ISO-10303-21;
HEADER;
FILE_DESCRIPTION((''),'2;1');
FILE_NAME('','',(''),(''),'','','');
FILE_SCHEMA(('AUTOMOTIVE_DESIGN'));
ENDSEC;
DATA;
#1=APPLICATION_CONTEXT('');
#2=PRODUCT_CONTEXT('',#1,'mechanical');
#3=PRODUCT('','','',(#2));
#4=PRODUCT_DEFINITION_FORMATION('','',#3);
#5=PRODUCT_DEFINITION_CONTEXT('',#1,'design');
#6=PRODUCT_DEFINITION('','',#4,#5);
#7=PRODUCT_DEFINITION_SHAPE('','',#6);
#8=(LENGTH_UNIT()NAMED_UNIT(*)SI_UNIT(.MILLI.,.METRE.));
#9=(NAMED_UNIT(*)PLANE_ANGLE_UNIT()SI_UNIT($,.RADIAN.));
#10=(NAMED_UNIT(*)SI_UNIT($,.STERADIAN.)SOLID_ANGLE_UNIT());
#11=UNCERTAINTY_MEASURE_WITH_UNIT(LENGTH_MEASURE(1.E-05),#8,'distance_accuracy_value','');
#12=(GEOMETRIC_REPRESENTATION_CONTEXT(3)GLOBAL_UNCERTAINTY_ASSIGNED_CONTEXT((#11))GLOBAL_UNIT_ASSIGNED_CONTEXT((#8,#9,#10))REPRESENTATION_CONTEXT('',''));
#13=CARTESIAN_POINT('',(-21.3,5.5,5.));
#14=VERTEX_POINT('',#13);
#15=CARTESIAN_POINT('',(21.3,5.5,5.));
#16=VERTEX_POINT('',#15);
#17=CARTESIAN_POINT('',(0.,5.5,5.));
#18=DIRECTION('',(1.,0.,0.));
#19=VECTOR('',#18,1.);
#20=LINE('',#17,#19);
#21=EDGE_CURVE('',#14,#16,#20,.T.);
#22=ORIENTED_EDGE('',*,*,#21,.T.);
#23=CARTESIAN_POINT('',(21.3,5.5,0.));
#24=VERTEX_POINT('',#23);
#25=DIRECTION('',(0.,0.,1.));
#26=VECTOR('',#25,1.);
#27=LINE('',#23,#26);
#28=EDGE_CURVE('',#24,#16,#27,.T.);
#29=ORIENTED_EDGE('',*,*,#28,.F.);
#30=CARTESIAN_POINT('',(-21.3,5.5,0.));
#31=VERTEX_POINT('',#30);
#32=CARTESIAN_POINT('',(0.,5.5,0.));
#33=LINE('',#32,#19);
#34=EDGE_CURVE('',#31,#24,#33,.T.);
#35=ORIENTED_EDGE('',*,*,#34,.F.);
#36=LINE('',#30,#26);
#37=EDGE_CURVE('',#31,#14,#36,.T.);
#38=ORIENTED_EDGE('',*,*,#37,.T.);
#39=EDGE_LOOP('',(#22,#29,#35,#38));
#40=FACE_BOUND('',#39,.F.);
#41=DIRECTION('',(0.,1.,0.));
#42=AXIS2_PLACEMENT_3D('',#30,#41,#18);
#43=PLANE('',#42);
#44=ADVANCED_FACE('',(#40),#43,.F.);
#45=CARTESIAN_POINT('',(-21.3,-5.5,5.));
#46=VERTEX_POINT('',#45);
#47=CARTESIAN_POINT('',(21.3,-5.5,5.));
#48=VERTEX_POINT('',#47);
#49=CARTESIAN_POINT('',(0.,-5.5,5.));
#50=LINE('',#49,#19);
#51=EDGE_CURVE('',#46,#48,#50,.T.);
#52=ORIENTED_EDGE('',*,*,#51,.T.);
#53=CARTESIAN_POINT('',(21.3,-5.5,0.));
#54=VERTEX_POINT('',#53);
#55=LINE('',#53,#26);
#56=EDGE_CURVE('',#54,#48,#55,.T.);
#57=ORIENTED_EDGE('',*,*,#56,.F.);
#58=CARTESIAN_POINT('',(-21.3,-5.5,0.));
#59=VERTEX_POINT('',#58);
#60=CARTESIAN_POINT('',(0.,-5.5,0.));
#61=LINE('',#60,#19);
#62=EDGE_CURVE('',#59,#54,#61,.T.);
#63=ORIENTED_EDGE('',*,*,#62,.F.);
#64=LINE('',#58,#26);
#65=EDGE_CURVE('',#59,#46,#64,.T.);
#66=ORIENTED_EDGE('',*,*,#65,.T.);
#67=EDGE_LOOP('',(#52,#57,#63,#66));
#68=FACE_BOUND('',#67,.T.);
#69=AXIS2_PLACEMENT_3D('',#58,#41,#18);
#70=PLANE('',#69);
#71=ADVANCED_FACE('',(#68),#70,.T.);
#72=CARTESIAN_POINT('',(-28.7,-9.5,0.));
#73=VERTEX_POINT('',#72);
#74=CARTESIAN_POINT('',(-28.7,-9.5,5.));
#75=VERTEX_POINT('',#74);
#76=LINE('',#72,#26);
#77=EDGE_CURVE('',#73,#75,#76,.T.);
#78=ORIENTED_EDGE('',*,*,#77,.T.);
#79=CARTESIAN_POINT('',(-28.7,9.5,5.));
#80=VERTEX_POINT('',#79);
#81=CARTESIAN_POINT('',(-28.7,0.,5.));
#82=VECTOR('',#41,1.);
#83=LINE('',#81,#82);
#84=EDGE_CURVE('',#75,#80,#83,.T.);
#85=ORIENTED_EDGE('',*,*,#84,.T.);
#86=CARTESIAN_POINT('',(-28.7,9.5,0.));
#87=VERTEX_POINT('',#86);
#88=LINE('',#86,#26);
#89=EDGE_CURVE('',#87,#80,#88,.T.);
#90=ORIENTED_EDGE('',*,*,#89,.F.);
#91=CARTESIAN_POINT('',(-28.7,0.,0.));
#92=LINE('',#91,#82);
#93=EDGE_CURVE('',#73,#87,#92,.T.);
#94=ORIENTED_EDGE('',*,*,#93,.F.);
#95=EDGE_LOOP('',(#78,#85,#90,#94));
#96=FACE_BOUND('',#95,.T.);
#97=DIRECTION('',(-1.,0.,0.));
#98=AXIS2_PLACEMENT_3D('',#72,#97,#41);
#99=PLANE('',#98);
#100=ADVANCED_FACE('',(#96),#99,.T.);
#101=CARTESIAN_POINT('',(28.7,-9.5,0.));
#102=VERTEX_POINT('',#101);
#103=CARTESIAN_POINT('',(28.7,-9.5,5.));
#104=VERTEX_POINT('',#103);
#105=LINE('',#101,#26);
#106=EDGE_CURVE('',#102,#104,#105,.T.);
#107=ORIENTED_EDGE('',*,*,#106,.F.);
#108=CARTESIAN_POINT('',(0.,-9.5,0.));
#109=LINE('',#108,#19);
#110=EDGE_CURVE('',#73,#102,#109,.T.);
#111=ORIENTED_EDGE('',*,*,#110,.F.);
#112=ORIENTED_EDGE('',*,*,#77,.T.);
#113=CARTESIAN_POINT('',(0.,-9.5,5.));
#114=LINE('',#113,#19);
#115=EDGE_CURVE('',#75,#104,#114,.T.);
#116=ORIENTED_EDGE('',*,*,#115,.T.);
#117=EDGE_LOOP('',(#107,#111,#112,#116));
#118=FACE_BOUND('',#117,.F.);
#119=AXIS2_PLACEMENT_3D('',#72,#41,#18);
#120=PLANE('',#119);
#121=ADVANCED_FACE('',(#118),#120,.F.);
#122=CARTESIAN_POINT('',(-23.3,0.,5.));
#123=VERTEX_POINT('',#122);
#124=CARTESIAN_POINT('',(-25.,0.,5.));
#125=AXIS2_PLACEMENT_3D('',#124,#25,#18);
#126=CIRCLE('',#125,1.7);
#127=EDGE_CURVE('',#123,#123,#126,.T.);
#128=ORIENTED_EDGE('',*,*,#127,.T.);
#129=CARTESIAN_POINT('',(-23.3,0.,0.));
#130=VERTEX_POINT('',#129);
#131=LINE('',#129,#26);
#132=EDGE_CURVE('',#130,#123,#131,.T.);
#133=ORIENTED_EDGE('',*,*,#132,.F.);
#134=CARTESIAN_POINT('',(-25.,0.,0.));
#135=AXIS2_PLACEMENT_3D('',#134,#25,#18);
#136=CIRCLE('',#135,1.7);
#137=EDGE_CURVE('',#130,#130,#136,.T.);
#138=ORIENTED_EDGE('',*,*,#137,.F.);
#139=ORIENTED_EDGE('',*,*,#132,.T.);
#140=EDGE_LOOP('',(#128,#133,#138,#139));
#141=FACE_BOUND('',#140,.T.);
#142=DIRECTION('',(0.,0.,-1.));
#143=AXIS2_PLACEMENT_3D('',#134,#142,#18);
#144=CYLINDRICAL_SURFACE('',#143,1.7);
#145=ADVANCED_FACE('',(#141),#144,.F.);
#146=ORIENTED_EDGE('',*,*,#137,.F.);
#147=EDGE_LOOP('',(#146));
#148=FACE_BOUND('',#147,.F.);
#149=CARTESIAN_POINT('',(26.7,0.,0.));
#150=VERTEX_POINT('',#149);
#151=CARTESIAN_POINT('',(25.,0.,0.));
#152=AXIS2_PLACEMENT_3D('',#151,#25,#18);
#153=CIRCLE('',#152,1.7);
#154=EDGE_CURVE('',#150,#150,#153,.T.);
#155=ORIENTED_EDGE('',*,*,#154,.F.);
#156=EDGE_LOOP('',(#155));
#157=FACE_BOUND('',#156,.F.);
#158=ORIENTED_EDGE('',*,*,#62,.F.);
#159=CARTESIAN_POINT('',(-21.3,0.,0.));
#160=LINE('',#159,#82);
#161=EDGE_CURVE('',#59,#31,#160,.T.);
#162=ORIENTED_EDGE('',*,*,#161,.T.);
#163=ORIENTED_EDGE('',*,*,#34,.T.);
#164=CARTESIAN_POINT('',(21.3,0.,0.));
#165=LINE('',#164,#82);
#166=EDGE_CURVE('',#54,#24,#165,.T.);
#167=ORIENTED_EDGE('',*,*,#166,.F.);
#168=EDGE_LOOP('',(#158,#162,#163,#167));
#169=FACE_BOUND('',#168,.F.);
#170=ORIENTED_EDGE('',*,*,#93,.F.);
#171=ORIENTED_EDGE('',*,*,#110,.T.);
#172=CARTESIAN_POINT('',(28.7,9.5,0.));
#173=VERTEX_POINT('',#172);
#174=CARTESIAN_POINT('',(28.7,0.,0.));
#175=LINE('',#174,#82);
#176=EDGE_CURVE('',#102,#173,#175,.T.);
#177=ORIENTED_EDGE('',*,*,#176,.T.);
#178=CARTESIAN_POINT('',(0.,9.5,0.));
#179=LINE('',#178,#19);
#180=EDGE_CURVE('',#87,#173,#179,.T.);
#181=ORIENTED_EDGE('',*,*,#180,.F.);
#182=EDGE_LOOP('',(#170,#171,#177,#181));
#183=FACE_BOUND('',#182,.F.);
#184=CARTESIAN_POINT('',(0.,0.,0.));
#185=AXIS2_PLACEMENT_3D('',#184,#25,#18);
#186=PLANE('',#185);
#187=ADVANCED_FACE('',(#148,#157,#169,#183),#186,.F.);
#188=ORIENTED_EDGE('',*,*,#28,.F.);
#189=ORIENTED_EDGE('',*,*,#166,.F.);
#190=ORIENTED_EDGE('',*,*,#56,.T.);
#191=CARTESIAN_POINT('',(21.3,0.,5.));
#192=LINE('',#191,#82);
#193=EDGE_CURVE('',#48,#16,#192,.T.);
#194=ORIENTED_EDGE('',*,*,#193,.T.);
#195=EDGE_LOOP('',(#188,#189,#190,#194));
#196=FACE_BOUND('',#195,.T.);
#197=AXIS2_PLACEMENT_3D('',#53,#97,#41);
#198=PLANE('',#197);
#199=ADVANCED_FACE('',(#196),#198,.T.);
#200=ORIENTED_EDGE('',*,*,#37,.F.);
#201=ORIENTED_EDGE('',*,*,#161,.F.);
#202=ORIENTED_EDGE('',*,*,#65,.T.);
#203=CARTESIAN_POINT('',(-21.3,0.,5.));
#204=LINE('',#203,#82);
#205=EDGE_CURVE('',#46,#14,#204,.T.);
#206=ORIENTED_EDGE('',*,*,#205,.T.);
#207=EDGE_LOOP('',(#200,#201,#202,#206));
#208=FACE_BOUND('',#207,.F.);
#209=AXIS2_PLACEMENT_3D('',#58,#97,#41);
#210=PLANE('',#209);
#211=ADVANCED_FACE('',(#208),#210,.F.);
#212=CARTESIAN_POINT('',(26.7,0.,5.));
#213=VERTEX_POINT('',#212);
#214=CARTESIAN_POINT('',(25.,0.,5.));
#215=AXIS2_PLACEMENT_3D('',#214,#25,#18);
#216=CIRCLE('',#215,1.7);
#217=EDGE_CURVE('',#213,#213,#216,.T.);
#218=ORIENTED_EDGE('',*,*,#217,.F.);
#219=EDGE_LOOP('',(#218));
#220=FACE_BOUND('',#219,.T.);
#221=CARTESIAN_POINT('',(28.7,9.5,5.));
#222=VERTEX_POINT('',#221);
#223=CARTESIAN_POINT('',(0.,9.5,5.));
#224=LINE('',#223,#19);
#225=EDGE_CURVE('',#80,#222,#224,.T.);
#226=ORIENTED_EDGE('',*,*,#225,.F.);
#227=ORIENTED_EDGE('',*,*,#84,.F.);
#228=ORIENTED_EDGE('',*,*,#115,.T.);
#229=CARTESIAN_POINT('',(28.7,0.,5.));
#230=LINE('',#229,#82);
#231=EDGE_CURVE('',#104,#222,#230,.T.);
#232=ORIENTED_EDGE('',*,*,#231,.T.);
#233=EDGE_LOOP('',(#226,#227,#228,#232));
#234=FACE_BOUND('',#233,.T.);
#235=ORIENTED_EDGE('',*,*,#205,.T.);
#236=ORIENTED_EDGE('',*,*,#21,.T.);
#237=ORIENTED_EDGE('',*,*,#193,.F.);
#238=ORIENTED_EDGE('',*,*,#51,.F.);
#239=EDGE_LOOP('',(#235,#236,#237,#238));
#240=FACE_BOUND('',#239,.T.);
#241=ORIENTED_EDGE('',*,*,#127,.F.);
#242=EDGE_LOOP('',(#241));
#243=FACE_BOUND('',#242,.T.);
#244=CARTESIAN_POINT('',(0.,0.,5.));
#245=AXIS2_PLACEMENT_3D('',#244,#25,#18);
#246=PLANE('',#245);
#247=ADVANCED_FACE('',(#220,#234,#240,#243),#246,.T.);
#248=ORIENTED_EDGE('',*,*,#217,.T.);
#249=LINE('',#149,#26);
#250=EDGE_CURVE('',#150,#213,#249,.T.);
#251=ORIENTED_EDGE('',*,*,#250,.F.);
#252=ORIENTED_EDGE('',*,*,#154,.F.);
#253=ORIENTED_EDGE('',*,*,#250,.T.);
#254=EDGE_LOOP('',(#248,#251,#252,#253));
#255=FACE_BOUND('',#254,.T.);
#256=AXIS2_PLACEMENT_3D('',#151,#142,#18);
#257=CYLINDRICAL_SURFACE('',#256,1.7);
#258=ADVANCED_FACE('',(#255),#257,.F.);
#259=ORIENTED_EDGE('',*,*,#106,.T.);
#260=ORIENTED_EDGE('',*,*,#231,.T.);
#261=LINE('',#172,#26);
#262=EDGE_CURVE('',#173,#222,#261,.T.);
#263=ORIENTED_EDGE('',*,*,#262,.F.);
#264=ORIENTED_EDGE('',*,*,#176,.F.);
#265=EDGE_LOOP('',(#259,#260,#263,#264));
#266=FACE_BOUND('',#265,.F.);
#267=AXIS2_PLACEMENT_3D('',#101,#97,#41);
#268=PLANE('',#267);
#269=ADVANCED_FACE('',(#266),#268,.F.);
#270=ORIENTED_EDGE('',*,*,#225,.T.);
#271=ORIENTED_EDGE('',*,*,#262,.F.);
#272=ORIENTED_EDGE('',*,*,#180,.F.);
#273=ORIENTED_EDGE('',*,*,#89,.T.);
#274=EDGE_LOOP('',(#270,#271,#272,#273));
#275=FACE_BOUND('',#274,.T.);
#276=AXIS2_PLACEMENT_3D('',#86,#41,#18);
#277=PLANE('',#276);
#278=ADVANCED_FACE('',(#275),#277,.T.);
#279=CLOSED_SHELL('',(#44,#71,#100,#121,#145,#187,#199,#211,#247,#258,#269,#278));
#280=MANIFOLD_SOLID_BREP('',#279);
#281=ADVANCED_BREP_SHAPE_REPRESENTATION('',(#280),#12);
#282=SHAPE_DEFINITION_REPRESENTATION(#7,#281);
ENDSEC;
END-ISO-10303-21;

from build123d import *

# Parameters (mm, degrees)
SKETCH_W   = 57.4
SKETCH_H   = 19
SKETCH_R   = 1.7
SKETCH_W_2 = 42.6
SKETCH_H_2 = 11
PAD_DEPTH  = 5


with BuildPart() as part:
    # Sketch → Pad (new body)
    with BuildSketch(Plane.XY):
        Rectangle(SKETCH_W, SKETCH_H)
        with Locations((-25, 0)):
            Circle(SKETCH_R, mode=Mode.SUBTRACT)
        with Locations((25, 0)):
            Circle(SKETCH_R, mode=Mode.SUBTRACT)
        Rectangle(SKETCH_W_2, SKETCH_H_2, mode=Mode.SUBTRACT)
    extrude(amount=PAD_DEPTH)


solid = part.part
